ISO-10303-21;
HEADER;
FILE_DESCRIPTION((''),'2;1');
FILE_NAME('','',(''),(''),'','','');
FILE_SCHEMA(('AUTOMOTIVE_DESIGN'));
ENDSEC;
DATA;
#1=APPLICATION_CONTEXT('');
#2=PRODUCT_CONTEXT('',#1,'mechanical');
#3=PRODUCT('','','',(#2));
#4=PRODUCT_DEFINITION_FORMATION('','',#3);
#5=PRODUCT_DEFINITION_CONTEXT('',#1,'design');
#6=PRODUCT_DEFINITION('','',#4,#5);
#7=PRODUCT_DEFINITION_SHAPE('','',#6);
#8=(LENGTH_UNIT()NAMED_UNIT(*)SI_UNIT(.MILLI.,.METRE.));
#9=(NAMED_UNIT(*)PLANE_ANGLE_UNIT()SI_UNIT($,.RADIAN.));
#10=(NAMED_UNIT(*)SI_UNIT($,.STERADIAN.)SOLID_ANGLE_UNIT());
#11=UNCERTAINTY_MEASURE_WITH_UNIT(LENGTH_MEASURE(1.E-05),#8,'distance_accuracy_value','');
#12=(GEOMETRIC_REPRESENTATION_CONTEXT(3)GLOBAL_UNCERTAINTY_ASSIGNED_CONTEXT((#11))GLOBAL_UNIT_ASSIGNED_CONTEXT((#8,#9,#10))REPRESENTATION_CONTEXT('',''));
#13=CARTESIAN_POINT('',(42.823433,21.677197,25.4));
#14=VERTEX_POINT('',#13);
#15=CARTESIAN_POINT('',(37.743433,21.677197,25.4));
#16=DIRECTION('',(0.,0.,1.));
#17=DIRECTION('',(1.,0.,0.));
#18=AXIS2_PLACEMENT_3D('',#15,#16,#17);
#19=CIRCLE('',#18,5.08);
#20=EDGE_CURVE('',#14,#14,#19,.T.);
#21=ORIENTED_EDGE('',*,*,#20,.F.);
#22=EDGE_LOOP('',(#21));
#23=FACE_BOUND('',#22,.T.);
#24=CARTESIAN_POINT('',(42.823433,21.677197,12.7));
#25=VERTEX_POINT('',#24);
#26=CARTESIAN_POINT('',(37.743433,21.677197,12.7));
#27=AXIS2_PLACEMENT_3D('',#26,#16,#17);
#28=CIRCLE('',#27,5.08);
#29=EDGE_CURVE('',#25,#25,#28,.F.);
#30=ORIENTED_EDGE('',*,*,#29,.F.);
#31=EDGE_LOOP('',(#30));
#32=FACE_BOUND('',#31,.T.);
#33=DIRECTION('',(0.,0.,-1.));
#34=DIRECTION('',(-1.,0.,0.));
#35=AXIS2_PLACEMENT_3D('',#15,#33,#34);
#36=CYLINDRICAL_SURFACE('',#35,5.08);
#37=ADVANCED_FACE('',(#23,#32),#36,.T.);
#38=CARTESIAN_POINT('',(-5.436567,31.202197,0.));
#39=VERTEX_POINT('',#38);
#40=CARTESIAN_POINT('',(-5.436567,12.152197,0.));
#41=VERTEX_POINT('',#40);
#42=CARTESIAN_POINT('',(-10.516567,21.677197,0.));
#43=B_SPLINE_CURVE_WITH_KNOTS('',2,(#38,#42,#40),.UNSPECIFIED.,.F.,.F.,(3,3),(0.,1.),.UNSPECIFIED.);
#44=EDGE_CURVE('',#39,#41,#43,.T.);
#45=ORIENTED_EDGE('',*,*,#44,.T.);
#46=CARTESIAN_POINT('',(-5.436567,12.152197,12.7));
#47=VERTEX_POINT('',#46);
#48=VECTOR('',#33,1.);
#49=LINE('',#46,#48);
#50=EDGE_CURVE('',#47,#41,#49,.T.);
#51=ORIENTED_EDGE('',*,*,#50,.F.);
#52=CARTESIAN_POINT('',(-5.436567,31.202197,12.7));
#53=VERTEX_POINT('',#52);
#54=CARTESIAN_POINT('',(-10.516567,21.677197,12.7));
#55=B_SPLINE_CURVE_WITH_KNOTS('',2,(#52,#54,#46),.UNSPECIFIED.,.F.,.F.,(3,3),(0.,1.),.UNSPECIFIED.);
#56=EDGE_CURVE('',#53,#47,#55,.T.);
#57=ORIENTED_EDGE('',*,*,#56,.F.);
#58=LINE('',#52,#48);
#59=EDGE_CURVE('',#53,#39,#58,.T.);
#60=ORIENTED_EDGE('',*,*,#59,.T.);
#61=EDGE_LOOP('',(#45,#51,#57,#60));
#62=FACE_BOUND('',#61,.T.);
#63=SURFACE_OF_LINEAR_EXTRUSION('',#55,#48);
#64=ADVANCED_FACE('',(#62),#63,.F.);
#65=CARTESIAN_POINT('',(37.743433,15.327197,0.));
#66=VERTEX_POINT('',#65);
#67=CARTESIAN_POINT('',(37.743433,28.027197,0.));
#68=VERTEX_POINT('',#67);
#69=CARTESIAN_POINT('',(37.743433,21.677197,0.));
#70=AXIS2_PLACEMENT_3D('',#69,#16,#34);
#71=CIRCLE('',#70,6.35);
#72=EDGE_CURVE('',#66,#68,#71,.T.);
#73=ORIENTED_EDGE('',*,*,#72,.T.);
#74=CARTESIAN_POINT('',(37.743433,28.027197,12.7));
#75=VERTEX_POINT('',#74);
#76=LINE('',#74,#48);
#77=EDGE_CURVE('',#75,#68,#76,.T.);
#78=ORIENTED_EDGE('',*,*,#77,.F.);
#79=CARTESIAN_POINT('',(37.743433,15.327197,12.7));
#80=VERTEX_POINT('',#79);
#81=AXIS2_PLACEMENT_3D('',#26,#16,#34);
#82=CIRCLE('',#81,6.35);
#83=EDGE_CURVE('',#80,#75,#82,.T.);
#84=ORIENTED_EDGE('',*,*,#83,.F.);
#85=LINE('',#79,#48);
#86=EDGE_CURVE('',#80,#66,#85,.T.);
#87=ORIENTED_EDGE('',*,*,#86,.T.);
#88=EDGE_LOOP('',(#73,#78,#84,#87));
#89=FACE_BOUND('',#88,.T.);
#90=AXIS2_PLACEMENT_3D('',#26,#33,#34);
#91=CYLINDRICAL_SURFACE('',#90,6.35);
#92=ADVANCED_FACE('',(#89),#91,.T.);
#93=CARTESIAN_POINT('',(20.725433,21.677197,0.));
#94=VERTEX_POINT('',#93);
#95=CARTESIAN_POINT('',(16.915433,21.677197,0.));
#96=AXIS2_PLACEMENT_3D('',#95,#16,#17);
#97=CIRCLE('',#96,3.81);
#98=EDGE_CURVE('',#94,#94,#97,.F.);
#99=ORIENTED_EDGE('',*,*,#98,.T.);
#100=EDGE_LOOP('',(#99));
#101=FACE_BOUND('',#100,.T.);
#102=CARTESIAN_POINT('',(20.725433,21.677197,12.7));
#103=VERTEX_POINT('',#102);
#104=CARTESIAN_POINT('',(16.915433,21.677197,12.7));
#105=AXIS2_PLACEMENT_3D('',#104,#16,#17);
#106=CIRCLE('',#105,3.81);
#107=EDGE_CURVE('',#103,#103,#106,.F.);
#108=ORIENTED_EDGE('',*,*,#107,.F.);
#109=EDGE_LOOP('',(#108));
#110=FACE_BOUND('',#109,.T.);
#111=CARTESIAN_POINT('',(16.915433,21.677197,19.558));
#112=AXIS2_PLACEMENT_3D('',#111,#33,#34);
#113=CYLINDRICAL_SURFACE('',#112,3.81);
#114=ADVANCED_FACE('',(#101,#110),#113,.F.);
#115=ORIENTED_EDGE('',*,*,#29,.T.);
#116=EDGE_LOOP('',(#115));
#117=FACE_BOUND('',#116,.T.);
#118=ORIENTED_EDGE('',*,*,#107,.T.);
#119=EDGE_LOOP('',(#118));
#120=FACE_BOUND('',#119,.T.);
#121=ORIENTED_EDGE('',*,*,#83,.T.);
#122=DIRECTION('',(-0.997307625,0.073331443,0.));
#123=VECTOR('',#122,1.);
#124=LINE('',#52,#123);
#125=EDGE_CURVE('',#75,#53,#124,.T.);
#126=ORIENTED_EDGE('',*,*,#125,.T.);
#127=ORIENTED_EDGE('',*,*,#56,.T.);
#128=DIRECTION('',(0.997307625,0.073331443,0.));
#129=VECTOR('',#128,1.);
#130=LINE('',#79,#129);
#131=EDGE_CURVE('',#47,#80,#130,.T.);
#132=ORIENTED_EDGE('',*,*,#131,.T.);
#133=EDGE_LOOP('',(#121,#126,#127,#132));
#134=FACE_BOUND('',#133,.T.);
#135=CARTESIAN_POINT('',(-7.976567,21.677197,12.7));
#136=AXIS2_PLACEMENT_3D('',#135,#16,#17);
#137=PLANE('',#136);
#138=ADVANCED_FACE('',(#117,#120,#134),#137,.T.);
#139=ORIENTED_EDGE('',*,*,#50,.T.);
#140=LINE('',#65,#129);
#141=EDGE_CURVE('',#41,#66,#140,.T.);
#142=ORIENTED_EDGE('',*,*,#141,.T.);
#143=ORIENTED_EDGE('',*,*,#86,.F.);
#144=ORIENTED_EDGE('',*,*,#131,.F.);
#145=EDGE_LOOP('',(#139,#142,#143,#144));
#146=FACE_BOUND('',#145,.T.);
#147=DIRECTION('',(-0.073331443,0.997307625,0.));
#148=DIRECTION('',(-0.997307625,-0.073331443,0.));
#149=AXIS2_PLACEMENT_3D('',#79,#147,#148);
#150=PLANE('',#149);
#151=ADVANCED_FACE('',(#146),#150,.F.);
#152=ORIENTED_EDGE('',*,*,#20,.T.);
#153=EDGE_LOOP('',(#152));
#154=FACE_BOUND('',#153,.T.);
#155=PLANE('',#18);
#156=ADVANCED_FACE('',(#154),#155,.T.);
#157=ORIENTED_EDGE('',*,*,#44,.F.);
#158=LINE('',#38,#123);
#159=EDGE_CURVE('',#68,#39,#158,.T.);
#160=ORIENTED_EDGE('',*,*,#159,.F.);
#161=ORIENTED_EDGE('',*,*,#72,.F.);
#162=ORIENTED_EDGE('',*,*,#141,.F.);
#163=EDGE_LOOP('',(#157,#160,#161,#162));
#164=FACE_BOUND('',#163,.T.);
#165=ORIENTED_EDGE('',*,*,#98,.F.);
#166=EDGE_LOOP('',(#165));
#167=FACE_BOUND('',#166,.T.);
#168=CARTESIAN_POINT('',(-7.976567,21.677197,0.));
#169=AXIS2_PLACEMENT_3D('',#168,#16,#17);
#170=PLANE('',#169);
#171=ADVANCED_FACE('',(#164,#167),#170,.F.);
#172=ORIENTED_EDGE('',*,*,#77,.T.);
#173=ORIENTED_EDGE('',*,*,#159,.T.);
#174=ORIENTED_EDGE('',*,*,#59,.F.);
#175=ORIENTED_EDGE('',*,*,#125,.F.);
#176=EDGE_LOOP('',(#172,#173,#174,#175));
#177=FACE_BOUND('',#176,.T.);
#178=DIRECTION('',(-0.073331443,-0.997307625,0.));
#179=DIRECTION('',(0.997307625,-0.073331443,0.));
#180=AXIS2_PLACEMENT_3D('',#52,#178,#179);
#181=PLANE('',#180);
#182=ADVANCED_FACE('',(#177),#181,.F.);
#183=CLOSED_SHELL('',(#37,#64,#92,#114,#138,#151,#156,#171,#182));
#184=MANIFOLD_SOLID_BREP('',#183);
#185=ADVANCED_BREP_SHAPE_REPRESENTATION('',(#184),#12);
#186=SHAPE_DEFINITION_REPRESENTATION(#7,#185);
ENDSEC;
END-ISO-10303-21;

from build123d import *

# Parameters (mm, degrees)
BOSS_EXTRUDE1_DEPTH     = 12.7
SKETCH2_R               = 5.08
BOSS_EXTRUDE2_DEPTH     = 25.4
CUT_EXTRUDE1_DEPTH      = 6.858
CUT_EXTRUDE1_DEPTH_BACK = 12.954
SKETCH3_R               = 3.81


with BuildPart() as part:
    # Sketch1 → Boss-Extrude1 (new body)
    with BuildSketch(Plane.XY):
        with BuildLine():
            Line((-5.436566547, 31.20219701), (37.743433453, 28.02719701))
            ThreePointArc((37.743433453, 28.02719701), (44.093433453, 21.67719701), (37.743433453, 15.32719701))
            Line((37.743433453, 15.32719701), (-5.436566547, 12.15219701))
            add(Edge.make_bspline(
                [(-5.436566547, 12.15219701), (-10.516566547, 21.67719701), (-5.436566547, 31.20219701)],
                knots=[0, 0, 0, 1, 1, 1], degree=2))
        make_face()
    extrude(amount=BOSS_EXTRUDE1_DEPTH)

    # Sketch2 → Boss-Extrude2 (add)
    with BuildSketch(Plane.XY):
        with Locations((37.743433453, 21.67719701)):
            Circle(SKETCH2_R)
    extrude(amount=BOSS_EXTRUDE2_DEPTH)

    # Sketch3 → Cut-Extrude1 (cut, two sides: drawn at the far end of the back side and taken through both)
    with BuildSketch(Plane.XY.offset(12.7).offset(-CUT_EXTRUDE1_DEPTH_BACK)):
        with Locations((16.915433453, 21.67719701)):
            Circle(SKETCH3_R)
    extrude(amount=CUT_EXTRUDE1_DEPTH + CUT_EXTRUDE1_DEPTH_BACK, mode=Mode.SUBTRACT)


solid = part.part
